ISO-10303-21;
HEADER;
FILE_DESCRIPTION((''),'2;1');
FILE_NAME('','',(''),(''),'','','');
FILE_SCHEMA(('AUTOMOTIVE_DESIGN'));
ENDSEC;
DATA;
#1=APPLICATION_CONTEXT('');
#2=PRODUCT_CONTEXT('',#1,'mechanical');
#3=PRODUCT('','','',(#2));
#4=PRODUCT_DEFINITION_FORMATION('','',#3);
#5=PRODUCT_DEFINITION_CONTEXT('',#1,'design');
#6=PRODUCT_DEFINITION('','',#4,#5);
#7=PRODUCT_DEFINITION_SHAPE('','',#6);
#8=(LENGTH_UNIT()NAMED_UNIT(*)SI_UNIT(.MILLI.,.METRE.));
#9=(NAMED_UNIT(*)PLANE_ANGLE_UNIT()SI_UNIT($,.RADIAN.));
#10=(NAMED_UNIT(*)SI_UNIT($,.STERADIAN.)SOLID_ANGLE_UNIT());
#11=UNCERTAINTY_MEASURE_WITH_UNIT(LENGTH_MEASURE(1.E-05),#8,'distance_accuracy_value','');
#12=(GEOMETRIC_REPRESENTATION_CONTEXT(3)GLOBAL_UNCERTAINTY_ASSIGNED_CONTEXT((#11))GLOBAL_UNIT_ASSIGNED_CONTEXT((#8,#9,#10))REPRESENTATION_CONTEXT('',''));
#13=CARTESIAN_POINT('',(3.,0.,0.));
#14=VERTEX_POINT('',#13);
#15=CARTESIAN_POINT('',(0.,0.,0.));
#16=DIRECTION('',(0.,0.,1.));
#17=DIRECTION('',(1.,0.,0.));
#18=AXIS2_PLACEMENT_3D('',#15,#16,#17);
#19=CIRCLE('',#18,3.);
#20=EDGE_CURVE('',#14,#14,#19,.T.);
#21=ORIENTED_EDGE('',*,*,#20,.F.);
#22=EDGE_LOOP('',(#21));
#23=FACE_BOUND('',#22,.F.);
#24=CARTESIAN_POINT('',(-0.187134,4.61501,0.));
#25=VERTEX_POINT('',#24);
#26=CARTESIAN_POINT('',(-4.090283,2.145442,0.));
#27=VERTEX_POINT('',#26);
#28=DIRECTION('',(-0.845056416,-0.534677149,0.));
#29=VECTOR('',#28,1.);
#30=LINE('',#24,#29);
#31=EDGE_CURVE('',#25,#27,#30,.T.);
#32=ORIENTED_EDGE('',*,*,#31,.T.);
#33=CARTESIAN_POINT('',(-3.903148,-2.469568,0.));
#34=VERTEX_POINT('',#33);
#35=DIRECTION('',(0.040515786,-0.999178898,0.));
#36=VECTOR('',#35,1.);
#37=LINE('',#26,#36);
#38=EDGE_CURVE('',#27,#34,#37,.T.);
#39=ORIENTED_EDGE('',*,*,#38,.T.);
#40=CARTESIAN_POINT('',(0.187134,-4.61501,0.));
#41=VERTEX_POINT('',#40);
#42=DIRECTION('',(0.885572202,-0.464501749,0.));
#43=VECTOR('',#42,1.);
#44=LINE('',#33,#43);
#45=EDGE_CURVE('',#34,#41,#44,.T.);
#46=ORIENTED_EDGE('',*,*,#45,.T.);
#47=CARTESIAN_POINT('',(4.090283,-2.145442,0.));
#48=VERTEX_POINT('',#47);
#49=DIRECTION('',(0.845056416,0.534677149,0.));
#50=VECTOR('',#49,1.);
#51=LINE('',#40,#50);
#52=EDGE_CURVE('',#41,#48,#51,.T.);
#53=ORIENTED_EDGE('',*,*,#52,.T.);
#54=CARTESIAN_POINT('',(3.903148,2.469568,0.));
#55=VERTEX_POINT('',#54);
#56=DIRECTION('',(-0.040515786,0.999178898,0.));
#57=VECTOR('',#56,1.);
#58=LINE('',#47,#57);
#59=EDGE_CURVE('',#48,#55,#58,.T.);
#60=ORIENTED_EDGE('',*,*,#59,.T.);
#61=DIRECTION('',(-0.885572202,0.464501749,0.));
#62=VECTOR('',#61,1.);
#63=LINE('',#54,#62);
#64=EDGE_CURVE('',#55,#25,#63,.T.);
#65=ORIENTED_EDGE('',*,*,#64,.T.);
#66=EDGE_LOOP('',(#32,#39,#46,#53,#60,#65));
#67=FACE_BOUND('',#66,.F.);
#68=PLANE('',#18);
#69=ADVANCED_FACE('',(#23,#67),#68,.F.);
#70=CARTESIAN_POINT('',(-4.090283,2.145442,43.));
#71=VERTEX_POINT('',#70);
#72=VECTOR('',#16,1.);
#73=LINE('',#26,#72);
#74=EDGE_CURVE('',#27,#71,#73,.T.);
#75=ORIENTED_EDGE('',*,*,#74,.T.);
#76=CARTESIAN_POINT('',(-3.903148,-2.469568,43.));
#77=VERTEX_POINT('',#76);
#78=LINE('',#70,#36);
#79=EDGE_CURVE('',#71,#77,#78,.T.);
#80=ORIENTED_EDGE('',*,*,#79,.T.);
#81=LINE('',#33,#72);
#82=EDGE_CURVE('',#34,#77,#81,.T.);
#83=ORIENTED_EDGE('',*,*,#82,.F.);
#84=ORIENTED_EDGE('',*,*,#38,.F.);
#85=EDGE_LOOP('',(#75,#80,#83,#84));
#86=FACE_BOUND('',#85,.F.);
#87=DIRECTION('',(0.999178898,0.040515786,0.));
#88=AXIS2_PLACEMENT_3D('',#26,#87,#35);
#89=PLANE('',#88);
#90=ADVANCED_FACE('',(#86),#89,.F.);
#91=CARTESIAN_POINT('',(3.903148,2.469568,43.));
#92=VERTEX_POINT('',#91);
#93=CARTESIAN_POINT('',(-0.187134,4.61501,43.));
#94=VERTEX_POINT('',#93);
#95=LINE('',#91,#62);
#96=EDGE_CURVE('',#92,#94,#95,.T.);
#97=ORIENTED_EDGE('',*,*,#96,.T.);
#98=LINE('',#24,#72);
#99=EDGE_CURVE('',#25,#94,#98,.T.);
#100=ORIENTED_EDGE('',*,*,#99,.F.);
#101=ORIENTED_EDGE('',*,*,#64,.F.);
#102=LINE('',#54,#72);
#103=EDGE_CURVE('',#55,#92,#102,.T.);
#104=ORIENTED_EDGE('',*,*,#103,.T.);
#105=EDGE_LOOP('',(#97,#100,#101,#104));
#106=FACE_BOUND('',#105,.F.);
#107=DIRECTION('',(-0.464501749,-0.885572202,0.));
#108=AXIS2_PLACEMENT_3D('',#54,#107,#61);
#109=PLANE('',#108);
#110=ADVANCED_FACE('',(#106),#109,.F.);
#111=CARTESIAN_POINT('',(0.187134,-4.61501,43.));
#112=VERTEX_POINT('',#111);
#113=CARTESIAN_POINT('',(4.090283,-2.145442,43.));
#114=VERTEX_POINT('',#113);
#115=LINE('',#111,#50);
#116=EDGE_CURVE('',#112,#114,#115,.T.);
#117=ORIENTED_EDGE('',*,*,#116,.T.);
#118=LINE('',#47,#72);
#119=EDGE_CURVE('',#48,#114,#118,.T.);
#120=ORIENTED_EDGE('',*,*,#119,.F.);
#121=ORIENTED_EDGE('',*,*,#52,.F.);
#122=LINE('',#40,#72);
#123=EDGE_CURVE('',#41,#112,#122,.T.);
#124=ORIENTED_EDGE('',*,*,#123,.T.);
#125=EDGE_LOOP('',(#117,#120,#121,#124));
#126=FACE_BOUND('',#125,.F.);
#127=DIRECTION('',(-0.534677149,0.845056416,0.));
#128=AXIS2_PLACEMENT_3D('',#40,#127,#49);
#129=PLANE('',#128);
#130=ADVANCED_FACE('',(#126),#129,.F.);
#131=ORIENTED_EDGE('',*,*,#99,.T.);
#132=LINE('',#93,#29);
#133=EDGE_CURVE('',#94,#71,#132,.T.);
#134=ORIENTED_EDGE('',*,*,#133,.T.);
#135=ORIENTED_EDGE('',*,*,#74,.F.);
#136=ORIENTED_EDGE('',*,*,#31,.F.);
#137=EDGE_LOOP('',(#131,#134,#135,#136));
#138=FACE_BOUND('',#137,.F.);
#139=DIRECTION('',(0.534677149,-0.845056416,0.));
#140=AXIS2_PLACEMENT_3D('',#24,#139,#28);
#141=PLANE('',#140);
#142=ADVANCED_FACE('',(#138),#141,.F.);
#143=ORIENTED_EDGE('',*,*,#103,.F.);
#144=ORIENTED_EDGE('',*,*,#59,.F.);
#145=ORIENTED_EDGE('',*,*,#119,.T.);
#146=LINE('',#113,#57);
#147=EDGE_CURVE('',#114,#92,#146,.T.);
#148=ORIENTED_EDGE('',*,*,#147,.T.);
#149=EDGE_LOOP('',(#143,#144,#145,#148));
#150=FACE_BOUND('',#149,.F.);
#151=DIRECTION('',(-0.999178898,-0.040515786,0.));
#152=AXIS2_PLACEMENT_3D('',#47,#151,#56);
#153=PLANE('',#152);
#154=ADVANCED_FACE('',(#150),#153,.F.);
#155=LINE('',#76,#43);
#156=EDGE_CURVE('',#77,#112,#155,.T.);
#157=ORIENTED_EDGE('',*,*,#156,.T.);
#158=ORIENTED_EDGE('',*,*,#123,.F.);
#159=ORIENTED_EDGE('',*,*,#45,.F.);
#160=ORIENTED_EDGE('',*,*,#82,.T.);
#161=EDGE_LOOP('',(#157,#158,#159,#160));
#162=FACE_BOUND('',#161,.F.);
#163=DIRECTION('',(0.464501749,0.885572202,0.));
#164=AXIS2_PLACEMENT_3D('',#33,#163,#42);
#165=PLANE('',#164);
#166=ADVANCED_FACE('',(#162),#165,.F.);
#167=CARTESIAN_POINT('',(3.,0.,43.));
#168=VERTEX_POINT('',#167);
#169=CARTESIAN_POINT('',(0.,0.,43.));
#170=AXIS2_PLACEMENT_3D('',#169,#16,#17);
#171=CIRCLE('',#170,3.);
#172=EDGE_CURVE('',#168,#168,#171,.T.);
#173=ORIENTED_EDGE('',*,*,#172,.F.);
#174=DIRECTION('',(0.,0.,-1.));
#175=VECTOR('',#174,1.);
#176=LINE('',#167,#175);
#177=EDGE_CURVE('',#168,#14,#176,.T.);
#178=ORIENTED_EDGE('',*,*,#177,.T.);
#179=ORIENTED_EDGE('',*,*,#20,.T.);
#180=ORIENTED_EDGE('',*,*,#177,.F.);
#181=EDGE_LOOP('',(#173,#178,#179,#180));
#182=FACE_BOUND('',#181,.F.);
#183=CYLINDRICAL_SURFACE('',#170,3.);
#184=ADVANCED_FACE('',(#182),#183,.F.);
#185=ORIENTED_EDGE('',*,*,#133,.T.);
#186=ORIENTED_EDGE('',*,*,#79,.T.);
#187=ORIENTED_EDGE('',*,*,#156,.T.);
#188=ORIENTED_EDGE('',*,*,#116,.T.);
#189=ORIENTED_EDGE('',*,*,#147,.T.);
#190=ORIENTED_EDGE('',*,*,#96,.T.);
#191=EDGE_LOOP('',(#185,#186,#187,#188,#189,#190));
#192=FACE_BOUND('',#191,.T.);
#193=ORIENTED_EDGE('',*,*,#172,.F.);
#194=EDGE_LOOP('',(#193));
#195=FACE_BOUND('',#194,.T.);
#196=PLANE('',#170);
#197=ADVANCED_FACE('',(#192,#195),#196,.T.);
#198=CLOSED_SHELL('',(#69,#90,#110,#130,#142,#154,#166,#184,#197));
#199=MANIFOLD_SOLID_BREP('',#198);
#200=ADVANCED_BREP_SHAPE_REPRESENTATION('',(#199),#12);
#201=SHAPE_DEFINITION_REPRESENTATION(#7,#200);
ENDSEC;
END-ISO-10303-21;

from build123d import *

# Parameters (mm, degrees)
EXTRUDE_1_DEPTH     = 43
CUT_EXTRUDE_1_REACH = 45
SKETCH_2_R          = 3


with BuildPart() as part:
    # 草图1 → 凸台-拉伸1 (new body)
    with BuildSketch(Plane.XY):
        Polygon((4.090282793, -2.145441681), (3.903148395, 2.469567967), (-0.187134399, 4.615009648), (-4.090282793, 2.145441681), (-3.903148395, -2.469567967), (0.187134399, -4.615009648), align=None)
    extrude(amount=EXTRUDE_1_DEPTH)

    # 草图2 → 切除-拉伸1 (cut, up to next)
    with BuildSketch(Plane.XY.offset(43), mode=Mode.PRIVATE) as cut_extrude_1_sk1:
        Circle(SKETCH_2_R)
    cut_extrude_1_tool1 = extrude(cut_extrude_1_sk1.sketch, amount=-CUT_EXTRUDE_1_REACH, mode=Mode.PRIVATE) & part.part
    add(cut_extrude_1_tool1.solids().sort_by_distance((0, 0, 43))[0], mode=Mode.SUBTRACT)


solid = part.part
